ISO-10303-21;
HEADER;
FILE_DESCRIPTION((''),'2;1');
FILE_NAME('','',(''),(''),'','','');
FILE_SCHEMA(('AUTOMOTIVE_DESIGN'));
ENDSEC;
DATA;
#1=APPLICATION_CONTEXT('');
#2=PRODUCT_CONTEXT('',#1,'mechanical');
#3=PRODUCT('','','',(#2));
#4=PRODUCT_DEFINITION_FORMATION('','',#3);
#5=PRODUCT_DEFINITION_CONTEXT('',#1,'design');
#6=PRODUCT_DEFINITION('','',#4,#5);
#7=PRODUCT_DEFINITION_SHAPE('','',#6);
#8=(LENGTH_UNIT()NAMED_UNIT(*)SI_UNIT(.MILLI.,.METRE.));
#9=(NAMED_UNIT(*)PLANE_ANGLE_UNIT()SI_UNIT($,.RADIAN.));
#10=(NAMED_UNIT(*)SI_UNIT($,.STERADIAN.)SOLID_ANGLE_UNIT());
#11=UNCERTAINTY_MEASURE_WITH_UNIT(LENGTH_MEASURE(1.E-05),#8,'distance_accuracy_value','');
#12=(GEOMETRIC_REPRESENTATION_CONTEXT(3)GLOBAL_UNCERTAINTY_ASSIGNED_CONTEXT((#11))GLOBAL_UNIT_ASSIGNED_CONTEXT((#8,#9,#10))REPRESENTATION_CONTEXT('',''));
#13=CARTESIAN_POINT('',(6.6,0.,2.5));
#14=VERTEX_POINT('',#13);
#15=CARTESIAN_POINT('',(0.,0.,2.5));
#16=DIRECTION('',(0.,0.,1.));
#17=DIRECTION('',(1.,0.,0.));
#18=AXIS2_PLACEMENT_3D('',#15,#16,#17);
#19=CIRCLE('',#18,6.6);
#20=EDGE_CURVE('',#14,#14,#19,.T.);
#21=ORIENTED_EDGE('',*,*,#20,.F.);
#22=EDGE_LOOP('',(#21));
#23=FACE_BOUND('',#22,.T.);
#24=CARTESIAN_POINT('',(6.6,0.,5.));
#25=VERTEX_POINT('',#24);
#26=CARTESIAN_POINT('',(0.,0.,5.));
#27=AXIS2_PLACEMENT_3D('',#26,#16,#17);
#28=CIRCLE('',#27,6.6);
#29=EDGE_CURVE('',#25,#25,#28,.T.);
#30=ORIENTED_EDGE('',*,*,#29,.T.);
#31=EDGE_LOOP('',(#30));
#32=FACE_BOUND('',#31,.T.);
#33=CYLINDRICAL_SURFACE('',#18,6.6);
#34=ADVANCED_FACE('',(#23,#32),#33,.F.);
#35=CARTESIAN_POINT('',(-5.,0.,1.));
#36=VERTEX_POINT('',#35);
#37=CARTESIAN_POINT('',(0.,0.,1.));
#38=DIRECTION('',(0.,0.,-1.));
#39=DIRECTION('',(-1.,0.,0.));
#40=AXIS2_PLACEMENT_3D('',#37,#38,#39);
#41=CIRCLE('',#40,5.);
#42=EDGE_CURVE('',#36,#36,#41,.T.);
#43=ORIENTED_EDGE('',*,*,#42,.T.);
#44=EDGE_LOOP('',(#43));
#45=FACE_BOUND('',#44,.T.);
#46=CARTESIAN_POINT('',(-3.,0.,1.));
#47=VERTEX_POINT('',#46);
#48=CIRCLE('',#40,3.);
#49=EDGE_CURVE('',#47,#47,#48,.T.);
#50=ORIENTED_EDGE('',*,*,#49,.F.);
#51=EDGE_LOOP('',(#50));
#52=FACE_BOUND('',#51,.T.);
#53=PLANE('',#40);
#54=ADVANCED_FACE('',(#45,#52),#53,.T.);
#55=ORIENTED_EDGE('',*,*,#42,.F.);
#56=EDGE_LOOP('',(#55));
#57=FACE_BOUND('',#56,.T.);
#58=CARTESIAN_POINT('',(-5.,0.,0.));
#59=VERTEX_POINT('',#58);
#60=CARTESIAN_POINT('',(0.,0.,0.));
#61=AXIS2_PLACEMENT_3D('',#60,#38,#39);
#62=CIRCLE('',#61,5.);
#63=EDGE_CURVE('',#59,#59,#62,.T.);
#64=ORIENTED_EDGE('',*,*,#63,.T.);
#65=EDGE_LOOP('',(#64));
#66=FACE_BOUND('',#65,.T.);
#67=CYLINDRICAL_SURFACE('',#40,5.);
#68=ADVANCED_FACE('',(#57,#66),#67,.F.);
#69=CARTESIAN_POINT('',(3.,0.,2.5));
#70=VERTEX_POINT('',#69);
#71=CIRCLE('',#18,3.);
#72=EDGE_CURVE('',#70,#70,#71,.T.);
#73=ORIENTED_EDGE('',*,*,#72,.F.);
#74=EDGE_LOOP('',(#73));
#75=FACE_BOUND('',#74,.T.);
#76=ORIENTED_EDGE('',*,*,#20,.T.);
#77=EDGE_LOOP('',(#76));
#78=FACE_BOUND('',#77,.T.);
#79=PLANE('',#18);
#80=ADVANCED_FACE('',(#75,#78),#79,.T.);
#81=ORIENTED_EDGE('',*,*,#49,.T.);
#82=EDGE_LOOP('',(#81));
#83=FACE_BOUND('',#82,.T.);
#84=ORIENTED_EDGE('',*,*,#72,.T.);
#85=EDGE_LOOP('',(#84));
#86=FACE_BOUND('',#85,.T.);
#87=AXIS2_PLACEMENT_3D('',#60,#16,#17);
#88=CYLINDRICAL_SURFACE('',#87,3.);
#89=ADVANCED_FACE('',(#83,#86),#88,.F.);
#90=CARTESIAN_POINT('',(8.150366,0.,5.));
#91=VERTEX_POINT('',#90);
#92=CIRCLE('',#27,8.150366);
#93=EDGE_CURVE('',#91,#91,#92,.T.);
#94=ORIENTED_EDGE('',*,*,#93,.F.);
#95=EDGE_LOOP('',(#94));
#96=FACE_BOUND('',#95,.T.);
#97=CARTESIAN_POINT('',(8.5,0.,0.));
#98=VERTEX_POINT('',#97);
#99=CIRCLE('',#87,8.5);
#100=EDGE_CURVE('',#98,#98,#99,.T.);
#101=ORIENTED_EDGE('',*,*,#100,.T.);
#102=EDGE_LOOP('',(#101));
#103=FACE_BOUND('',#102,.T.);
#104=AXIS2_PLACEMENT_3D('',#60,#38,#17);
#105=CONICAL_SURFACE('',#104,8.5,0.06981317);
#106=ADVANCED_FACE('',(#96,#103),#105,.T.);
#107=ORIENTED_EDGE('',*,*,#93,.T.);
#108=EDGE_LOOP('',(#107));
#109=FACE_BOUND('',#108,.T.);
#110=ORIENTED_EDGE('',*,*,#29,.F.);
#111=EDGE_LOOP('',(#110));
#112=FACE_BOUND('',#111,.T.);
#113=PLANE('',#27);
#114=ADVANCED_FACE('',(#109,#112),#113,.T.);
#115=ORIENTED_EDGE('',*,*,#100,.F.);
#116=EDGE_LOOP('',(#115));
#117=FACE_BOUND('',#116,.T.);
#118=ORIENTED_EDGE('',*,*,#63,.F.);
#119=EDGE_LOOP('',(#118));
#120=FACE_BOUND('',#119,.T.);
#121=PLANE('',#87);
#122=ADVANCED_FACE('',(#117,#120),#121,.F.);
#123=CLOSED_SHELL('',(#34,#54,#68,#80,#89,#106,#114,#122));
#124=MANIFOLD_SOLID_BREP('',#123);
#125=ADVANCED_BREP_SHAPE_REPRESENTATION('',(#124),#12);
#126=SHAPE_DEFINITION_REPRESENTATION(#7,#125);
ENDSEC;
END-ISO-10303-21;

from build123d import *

# Parameters (mm, degrees)
SKETCH_1_R               = 8.5
EXTRUDE_1_DEPTH          = 5
EXTRUDE_1_TAPER          = 4
SKETCH_3_R               = 5
CUT_EXTRUDE_1_DEPTH      = 1
SKETCH_4_R               = 6.6
CUT_EXTRUDE_2_DEPTH      = 2.5
CUT_EXTRUDE_3_DEPTH      = 13.278029158
CUT_EXTRUDE_3_DEPTH_BACK = 13.278029158
SKETCH_5_R               = 3


with BuildPart() as part:
    # Эскиз1 → Бобышка-Вытянуть1 (new body)
    with BuildSketch(Plane.XY):
        Circle(SKETCH_1_R)
    extrude(amount=EXTRUDE_1_DEPTH, taper=EXTRUDE_1_TAPER)

    # Эскиз3 → Вырез-Вытянуть1 (cut)
    with BuildSketch(Plane(origin=(0, 0, 0), x_dir=(-1, 0, 0), z_dir=(0, 0, -1))):
        Circle(SKETCH_3_R)
    extrude(amount=-CUT_EXTRUDE_1_DEPTH, mode=Mode.SUBTRACT)

    # Эскиз4 → Вырез-Вытянуть2 (cut)
    with BuildSketch(Plane.XY.offset(5)):
        Circle(SKETCH_4_R)
    extrude(amount=-CUT_EXTRUDE_2_DEPTH, mode=Mode.SUBTRACT)

    # Эскиз5 → Вырез-Вытянуть3 (cut, two sides: drawn at the far end of the back side and taken through both)
    with BuildSketch(Plane.XY.offset(2.5).offset(-CUT_EXTRUDE_3_DEPTH_BACK)):
        Circle(SKETCH_5_R)
    extrude(amount=CUT_EXTRUDE_3_DEPTH + CUT_EXTRUDE_3_DEPTH_BACK, mode=Mode.SUBTRACT)


solid = part.part
